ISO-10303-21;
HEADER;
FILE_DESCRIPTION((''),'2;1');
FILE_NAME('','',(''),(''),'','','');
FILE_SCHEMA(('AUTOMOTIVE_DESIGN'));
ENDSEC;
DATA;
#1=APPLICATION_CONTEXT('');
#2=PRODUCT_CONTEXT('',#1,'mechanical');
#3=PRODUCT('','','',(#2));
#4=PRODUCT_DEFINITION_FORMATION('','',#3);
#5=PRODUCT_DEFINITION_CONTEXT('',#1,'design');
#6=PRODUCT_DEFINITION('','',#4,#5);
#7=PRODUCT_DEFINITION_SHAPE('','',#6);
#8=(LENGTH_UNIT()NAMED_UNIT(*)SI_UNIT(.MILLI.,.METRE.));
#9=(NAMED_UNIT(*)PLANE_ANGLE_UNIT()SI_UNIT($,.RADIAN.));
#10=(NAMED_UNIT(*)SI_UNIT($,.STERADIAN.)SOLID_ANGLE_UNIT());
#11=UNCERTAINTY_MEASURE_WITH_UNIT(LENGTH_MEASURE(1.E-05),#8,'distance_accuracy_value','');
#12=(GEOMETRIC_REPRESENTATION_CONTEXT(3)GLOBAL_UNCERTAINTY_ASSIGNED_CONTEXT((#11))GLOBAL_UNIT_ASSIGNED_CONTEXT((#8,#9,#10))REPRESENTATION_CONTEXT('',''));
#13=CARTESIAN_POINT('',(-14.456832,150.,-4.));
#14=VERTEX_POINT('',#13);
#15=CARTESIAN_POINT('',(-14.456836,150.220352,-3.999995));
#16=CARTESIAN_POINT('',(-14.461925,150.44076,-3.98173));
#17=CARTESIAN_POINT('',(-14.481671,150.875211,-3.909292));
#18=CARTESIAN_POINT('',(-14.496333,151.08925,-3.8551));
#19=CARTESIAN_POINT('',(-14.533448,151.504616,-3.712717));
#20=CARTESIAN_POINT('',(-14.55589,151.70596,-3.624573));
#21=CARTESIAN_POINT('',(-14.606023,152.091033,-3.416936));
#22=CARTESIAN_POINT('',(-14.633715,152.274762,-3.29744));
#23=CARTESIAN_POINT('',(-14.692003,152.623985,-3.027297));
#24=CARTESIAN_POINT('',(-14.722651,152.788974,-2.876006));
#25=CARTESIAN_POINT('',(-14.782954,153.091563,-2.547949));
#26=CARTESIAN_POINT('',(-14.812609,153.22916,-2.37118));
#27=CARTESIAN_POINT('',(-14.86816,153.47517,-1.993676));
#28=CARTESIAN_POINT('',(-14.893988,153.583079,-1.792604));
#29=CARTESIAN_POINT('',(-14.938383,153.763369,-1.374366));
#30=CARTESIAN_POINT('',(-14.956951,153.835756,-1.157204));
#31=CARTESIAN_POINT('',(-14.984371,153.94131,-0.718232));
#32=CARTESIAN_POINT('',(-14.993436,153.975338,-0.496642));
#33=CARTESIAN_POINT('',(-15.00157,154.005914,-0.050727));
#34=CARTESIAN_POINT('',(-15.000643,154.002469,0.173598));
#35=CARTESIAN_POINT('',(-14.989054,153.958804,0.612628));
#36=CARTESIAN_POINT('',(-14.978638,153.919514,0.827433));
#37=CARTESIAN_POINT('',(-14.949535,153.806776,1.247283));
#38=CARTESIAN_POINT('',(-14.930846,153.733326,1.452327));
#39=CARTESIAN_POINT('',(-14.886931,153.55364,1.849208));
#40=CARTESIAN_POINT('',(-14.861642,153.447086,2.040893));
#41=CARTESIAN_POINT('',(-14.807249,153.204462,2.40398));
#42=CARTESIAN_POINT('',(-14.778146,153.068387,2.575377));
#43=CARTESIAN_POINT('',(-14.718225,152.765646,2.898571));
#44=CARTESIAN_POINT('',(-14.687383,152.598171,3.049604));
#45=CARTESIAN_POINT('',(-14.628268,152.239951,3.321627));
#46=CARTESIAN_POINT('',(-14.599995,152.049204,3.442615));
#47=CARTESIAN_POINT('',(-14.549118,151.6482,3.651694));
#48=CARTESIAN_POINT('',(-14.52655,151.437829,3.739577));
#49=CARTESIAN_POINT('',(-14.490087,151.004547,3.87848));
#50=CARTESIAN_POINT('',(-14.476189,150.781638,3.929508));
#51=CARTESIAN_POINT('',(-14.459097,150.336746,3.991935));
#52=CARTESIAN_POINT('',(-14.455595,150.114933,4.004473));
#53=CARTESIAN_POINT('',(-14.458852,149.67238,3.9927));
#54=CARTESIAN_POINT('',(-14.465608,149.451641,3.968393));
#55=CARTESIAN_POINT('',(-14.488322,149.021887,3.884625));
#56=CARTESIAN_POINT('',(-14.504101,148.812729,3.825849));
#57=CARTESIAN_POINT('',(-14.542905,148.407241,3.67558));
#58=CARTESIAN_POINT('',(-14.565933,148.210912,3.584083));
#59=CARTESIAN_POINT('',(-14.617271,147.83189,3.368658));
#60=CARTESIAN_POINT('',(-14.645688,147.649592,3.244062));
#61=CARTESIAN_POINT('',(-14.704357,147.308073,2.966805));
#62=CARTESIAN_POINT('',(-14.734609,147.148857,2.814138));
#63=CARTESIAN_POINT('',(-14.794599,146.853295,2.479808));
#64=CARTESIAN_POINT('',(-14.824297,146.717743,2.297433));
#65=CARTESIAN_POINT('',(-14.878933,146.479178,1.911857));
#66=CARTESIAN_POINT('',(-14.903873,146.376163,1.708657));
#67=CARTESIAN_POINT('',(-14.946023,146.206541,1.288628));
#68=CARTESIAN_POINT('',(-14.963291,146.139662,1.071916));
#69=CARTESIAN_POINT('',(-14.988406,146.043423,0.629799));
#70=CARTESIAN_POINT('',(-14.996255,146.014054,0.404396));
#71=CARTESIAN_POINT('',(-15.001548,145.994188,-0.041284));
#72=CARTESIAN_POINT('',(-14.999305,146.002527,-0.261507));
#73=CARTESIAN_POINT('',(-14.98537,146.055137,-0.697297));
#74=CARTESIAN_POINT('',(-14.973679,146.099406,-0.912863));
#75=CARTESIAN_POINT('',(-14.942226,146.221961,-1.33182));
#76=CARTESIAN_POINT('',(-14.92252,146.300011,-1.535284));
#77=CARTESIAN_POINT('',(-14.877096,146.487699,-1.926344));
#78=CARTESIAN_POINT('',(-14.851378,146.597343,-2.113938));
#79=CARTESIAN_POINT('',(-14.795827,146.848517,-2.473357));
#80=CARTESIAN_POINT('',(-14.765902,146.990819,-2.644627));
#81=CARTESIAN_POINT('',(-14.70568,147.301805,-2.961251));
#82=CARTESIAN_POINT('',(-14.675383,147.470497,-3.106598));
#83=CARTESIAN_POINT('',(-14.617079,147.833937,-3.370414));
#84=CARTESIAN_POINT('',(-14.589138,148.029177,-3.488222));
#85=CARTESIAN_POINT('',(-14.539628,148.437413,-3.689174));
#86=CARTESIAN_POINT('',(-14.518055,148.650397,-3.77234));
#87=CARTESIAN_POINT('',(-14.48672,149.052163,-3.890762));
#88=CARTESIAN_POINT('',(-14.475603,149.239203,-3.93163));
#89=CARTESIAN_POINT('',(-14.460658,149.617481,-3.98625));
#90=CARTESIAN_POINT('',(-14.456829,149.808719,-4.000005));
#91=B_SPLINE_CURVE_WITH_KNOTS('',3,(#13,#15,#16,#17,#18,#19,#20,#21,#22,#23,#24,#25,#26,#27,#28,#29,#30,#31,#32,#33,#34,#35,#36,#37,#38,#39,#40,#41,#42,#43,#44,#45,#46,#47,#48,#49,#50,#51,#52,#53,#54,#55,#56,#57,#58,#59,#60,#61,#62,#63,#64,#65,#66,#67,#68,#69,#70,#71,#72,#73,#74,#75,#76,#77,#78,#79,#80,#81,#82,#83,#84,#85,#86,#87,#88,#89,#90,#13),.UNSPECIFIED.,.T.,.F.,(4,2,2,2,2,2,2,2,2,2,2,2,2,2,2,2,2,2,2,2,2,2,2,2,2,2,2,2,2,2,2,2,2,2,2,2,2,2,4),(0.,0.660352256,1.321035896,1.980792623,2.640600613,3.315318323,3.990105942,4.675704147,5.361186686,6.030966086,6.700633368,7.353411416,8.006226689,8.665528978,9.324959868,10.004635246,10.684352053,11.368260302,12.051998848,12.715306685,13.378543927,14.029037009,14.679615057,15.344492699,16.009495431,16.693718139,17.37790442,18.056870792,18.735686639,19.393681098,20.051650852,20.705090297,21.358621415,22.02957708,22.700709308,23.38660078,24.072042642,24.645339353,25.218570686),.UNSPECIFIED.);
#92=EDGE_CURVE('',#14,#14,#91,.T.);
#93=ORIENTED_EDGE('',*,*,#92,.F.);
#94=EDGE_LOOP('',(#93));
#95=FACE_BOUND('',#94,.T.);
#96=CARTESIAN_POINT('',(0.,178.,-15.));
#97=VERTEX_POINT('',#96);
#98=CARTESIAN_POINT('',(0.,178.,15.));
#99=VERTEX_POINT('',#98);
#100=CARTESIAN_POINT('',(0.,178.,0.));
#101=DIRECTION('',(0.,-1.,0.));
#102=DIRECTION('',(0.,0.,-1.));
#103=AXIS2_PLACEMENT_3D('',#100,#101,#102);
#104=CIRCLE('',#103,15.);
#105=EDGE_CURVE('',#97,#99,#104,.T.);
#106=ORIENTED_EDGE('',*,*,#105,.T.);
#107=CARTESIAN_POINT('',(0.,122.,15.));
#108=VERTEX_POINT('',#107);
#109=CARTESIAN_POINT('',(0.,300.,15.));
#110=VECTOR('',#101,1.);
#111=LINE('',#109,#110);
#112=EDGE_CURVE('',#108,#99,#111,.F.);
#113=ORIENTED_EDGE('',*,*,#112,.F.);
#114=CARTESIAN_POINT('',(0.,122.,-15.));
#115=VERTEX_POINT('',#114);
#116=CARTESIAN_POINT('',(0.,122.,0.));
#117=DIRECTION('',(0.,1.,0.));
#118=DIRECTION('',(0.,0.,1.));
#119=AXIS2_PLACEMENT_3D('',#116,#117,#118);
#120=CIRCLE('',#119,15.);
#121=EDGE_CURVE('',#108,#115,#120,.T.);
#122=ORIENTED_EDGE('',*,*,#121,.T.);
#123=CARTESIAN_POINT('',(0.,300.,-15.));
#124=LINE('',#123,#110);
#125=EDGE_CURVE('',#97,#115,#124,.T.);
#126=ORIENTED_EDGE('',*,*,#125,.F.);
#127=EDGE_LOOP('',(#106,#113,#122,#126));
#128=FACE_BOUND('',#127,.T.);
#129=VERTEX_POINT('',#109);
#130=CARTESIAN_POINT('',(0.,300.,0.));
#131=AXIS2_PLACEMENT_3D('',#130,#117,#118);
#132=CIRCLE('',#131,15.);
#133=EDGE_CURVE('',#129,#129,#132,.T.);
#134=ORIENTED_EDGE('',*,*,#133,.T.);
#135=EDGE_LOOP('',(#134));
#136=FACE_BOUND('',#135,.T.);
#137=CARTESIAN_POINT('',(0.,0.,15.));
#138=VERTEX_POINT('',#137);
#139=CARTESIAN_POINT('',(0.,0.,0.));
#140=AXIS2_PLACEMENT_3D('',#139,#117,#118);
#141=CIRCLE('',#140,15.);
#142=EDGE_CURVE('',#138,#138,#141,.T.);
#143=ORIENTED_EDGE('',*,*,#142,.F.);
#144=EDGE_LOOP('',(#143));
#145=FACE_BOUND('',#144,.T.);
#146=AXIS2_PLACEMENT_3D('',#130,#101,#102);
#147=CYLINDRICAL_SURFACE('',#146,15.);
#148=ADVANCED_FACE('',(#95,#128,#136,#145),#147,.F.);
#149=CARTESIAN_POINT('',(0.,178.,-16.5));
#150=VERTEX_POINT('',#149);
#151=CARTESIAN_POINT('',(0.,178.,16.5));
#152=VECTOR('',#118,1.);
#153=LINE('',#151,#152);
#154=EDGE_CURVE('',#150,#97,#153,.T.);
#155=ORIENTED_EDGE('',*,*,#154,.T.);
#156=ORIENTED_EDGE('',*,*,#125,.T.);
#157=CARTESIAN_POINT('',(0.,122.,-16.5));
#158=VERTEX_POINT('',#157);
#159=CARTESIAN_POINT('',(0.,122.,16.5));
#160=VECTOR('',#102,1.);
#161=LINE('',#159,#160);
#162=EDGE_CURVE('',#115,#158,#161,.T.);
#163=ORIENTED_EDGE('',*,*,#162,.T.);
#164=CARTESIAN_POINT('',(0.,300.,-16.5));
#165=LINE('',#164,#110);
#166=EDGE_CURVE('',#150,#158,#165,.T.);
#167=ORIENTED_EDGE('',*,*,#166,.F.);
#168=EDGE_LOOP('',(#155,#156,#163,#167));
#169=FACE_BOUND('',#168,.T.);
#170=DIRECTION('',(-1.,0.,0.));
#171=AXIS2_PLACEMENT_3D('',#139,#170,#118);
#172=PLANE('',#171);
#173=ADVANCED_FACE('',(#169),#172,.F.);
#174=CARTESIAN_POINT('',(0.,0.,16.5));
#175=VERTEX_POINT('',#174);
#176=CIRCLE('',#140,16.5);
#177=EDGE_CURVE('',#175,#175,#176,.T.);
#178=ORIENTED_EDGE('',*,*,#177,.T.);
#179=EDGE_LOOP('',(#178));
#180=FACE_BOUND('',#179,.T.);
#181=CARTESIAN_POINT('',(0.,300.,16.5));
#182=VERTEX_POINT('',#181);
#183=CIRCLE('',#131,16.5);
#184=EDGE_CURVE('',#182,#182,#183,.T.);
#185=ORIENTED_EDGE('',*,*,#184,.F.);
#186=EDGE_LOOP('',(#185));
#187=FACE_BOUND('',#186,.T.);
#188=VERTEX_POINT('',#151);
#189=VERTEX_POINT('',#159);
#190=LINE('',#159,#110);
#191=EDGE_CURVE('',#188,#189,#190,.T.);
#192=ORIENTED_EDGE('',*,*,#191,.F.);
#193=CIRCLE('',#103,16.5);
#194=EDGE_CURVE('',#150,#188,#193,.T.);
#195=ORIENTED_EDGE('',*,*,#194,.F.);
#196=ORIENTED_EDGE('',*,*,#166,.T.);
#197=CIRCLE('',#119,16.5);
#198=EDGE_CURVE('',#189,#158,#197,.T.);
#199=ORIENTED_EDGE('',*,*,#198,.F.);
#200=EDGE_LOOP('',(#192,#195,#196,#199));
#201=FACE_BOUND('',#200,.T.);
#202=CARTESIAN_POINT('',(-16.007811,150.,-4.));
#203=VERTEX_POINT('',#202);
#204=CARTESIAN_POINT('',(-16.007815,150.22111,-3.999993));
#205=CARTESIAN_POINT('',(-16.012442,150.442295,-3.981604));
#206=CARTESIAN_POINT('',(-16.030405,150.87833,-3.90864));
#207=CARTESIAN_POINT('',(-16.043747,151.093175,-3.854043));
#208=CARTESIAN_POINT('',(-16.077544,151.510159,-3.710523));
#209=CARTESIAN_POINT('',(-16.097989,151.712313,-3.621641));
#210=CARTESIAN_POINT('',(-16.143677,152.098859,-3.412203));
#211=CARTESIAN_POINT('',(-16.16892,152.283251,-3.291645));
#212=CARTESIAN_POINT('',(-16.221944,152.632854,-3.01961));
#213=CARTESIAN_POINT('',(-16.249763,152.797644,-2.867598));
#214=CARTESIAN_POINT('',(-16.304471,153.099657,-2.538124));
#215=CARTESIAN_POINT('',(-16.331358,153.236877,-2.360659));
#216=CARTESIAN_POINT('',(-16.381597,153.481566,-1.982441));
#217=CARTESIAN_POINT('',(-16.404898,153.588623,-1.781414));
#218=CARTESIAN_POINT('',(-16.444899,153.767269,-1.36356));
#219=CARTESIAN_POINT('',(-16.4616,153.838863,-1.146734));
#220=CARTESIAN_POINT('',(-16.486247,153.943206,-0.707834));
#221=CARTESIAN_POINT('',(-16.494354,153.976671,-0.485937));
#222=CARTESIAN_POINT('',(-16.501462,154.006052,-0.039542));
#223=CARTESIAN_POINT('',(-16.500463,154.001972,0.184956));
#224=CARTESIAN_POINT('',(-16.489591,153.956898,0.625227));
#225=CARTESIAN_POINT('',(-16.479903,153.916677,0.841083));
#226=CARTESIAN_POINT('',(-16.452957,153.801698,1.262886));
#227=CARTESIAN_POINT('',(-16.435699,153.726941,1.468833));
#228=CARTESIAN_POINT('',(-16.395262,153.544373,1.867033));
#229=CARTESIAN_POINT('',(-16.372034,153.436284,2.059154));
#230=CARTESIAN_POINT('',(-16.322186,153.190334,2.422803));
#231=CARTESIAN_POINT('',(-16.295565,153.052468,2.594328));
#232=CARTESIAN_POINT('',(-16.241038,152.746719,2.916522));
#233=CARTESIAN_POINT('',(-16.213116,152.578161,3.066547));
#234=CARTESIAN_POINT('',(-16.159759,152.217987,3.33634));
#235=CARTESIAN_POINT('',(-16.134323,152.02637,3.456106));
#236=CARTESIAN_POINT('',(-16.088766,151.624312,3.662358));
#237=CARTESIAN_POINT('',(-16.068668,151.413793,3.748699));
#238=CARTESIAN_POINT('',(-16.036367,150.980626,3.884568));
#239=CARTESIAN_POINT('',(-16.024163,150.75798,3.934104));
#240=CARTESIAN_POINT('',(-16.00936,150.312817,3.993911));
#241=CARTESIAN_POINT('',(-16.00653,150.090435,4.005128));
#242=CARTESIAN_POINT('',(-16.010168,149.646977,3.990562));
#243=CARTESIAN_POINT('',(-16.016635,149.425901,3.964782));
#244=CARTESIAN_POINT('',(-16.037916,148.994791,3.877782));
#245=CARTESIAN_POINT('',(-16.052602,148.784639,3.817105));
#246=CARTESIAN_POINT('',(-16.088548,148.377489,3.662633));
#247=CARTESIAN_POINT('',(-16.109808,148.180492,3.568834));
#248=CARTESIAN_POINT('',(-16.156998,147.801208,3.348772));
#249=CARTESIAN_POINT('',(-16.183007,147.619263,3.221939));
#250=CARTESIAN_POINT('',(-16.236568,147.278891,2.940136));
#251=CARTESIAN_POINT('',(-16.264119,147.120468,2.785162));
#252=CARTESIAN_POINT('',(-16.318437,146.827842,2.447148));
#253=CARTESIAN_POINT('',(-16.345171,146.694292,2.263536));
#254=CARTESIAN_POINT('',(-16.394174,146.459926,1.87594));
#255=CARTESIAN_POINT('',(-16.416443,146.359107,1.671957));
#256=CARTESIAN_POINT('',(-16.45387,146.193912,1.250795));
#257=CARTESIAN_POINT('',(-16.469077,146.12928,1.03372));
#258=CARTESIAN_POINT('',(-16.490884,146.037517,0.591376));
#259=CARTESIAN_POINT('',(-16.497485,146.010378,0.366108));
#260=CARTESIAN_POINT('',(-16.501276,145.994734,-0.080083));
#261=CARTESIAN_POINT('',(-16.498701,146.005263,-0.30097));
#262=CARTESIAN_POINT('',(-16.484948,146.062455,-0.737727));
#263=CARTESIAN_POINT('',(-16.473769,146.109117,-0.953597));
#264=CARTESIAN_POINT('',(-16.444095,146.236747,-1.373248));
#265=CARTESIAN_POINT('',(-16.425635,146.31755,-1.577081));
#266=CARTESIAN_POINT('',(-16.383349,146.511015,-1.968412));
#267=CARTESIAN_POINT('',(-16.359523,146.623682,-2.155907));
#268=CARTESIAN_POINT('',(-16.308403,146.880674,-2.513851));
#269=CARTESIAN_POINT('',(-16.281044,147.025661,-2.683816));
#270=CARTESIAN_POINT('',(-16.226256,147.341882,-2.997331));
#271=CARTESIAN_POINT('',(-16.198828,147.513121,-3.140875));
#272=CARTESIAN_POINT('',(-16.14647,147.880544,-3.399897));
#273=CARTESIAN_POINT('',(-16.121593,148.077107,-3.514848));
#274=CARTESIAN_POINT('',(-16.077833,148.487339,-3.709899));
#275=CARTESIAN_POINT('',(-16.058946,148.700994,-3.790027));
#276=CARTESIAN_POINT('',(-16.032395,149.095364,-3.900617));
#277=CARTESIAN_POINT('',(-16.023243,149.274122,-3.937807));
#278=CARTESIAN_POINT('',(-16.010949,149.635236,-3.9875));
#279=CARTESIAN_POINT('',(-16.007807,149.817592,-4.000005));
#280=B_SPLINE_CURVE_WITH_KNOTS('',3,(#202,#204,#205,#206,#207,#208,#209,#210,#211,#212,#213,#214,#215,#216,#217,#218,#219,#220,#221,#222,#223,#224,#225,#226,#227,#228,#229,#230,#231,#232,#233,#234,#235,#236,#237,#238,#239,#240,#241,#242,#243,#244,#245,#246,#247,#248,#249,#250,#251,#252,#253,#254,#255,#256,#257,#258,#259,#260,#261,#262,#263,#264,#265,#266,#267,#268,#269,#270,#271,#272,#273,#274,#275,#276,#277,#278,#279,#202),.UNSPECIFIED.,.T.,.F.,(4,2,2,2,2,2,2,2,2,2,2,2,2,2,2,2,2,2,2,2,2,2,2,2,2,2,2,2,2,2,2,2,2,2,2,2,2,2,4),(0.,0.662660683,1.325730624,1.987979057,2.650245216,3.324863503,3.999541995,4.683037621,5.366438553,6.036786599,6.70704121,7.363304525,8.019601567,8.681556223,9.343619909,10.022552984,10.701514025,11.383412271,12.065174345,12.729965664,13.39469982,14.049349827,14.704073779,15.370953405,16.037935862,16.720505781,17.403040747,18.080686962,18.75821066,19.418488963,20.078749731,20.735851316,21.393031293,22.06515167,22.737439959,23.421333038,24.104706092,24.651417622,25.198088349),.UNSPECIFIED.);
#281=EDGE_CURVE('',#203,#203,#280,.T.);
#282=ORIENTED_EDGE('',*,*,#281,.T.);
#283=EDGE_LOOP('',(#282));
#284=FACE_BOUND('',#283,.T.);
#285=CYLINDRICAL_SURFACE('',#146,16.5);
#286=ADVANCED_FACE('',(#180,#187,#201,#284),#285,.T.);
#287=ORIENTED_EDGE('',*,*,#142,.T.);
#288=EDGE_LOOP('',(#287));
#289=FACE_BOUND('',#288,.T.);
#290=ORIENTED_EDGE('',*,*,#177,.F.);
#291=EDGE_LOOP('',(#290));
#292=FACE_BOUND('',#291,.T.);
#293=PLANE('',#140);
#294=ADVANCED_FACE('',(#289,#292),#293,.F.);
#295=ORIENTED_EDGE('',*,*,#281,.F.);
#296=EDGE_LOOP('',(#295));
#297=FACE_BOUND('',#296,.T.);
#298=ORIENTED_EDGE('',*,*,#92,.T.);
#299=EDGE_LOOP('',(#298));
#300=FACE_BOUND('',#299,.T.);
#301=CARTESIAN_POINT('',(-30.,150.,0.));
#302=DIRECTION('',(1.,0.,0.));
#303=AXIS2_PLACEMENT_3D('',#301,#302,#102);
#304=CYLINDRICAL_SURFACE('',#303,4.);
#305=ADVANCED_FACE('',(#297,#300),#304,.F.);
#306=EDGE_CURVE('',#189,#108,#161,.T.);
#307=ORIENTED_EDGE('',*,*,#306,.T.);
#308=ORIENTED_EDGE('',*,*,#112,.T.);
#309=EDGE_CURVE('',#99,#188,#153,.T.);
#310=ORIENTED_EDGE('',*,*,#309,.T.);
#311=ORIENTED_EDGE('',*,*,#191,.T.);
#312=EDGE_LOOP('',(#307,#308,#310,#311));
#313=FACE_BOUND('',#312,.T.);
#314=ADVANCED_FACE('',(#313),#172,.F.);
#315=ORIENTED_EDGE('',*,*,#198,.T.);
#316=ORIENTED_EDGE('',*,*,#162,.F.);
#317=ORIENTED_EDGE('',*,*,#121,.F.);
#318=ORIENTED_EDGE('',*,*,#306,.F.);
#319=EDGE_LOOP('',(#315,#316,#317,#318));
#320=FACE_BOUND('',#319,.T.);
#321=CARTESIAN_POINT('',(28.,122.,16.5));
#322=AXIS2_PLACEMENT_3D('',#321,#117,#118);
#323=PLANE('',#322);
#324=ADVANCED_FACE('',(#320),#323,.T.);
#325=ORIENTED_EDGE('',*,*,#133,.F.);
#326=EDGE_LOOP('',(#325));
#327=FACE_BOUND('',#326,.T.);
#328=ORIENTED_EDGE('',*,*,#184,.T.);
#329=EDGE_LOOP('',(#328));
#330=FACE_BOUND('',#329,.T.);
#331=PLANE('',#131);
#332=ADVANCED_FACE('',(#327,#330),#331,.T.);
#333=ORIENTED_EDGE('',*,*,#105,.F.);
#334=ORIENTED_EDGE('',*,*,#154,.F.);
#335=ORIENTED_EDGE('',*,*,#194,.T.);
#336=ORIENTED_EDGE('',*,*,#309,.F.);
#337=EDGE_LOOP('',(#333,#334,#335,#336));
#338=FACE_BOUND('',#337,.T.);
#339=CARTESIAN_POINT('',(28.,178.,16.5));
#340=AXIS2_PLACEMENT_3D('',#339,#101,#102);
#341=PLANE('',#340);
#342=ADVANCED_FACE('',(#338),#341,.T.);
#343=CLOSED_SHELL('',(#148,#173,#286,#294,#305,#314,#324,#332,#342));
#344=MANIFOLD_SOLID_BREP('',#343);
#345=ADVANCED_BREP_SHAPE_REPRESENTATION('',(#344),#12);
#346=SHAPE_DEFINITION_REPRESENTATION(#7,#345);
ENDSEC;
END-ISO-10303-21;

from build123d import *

# Parameters (mm, degrees)
SKETCH2_R           = 16.5
SKETCH2_R_2         = 15
BOSS_EXTRUDE1_DEPTH = 300
CUT_EXTRUDE1_DEPTH  = 28
SKETCH4_R           = 4
CUT_EXTRUDE2_DEPTH  = 30


with BuildPart() as part:
    # Sketch2 → Boss-Extrude1 (new body)
    with BuildSketch(Plane(origin=(0, 0, 0), x_dir=(1, 0, 0), z_dir=(0, 1, 0))):
        with Locations(Location((0, 0, 0), (0, 0, 270))):
            Circle(SKETCH2_R)
        with Locations(Location((0, 0, 0), (0, 0, 270))):
            Circle(SKETCH2_R_2, mode=Mode.SUBTRACT)
    extrude(amount=BOSS_EXTRUDE1_DEPTH)

    # Sketch3 → Cut-Extrude1 (cut)
    with BuildSketch(Plane(origin=(0, 0, 0), x_dir=(0, 0, -1), z_dir=(1, 0, 0))):
        Polygon((21.27756657, 178), (21.27756657, 122), (-16.5, 122), (-16.5, 150), (-16.5, 178), (-14, 178), align=None)
    extrude(amount=CUT_EXTRUDE1_DEPTH, mode=Mode.SUBTRACT)

    # Sketch4 → Cut-Extrude2 (cut)
    with BuildSketch(Plane(origin=(0, 0, 0), x_dir=(0, 0, -1), z_dir=(1, 0, 0))):
        with Locations((0, 150)):
            Circle(SKETCH4_R)
    extrude(amount=-CUT_EXTRUDE2_DEPTH, mode=Mode.SUBTRACT)


solid = part.part
